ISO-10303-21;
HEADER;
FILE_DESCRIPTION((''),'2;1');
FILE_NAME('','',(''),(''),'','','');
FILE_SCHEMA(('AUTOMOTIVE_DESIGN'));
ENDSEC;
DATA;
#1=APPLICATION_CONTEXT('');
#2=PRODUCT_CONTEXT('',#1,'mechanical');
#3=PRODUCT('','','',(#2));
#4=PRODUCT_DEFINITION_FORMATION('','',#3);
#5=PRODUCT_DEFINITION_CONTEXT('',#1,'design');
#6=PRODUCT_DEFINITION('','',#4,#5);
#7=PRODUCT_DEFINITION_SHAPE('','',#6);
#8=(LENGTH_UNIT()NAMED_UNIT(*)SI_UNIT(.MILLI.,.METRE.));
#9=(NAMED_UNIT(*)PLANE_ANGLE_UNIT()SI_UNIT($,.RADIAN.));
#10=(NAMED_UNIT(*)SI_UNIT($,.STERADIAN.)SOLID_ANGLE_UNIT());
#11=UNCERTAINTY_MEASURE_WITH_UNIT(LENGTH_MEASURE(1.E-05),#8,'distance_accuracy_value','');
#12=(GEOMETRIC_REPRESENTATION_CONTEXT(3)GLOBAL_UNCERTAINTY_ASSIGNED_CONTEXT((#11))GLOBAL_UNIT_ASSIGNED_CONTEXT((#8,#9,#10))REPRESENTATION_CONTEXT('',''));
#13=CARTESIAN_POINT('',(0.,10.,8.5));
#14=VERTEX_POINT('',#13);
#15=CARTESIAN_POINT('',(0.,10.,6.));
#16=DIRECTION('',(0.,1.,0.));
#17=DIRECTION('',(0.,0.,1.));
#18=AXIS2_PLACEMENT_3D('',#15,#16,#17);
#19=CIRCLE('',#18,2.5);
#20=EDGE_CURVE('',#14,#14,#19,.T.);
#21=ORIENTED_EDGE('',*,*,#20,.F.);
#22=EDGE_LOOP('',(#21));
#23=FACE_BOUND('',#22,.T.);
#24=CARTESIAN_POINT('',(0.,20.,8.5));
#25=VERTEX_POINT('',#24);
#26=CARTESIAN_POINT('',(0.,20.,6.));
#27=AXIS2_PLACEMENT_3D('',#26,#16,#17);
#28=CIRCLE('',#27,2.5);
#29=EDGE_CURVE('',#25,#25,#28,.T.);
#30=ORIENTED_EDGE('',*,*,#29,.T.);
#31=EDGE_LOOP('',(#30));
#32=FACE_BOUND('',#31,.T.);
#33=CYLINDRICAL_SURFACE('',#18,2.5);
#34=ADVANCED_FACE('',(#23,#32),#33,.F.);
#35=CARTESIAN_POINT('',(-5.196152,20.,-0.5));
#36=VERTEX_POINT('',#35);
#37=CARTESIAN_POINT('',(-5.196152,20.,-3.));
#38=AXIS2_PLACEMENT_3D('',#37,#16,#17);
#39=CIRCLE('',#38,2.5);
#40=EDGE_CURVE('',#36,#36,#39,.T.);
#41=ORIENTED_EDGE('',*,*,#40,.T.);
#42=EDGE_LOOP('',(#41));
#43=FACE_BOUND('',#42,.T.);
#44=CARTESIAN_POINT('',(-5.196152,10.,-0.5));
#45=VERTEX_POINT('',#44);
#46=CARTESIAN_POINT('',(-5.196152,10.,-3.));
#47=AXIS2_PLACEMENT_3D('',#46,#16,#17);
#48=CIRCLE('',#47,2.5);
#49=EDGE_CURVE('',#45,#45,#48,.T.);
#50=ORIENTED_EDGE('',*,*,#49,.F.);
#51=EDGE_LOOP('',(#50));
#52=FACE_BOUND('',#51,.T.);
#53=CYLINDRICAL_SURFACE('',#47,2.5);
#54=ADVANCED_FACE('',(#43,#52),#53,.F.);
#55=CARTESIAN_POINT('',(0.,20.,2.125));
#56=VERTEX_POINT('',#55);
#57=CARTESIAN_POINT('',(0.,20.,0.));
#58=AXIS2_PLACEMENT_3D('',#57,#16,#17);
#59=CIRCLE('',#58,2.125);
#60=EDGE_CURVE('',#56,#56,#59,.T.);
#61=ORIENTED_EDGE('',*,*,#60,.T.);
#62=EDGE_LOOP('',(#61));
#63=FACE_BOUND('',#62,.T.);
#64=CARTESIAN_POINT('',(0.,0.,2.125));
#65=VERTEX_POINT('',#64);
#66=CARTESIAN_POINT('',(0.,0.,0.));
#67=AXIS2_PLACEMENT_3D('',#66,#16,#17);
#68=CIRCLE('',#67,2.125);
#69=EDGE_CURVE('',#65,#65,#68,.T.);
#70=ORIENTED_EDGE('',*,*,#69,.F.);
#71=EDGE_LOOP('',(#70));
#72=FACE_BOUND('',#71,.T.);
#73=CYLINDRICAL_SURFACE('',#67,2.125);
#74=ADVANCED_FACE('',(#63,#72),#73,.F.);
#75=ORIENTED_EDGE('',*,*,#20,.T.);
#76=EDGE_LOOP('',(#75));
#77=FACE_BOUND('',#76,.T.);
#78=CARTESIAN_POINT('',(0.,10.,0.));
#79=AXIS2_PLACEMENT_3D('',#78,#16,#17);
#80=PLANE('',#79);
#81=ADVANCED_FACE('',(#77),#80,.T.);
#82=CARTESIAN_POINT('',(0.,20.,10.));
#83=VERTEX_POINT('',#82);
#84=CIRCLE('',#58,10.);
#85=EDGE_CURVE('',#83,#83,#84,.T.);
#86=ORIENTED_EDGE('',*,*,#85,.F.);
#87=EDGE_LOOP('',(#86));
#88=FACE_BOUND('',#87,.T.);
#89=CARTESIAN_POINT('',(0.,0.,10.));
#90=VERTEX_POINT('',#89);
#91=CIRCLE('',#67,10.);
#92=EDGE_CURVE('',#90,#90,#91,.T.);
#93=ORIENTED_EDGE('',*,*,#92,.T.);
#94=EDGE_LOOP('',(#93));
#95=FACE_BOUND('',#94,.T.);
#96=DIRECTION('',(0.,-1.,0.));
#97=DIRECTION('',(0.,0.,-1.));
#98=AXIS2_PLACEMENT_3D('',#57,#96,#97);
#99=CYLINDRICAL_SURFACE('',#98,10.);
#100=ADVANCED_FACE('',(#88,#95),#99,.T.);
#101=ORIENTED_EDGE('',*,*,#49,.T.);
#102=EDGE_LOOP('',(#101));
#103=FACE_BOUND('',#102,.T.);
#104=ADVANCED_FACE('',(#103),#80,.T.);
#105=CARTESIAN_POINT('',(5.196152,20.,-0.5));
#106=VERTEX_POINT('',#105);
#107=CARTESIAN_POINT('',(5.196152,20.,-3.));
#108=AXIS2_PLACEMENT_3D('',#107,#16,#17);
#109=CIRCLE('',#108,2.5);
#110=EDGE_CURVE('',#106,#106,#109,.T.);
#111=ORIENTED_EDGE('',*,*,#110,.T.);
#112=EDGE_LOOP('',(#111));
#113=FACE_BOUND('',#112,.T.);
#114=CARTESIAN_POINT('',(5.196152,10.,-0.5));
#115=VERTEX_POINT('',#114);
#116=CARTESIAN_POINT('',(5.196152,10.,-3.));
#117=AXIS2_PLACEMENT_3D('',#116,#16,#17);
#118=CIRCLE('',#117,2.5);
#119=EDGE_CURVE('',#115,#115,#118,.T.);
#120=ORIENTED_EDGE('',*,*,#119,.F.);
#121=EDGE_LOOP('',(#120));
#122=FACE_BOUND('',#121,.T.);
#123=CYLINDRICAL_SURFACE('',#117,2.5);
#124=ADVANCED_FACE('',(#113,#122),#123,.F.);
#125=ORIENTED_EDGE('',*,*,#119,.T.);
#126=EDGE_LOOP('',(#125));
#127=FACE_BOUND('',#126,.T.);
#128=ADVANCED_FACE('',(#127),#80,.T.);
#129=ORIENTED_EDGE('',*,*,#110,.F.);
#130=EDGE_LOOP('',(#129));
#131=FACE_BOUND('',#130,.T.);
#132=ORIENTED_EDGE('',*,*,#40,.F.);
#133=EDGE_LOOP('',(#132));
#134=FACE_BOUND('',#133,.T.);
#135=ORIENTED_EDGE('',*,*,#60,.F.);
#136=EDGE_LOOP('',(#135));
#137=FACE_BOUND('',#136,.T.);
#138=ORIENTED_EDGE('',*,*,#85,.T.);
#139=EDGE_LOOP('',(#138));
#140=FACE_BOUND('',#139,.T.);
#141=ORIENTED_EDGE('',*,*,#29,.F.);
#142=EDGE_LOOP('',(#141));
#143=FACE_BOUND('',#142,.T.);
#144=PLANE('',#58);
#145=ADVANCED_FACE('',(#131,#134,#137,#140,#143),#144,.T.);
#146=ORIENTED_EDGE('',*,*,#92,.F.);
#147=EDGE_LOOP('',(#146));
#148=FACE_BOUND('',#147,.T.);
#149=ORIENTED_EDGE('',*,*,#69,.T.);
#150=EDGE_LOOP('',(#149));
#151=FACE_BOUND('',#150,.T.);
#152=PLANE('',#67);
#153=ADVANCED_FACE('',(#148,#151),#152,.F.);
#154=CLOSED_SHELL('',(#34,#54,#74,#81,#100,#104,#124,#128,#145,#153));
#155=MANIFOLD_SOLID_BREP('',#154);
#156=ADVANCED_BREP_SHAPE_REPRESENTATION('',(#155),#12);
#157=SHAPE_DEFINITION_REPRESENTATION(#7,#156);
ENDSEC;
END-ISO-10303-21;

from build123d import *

# Parameters (mm, degrees)
SKETCH1_R           = 10
BOSS_EXTRUDE1_DEPTH = 20
SKETCH2_R           = 2.5
CUT_EXTRUDE1_DEPTH  = 10
SKETCH2_3_R         = 2.125
CUT_EXTRUDE2_DEPTH  = 25.494897428


with BuildPart() as part:
    # Sketch1 → Boss-Extrude1 (new body)
    with BuildSketch(Plane(origin=(0, 0, 0), x_dir=(1, 0, 0), z_dir=(0, 1, 0))):
        Circle(SKETCH1_R)
    extrude(amount=BOSS_EXTRUDE1_DEPTH)

    # Sketch2 → Cut-Extrude1 (cut)
    with BuildSketch(Plane(origin=(0, 20, 0), x_dir=(1, 0, 0), z_dir=(0, 1, 0))):
        with Locations((0, -6)):
            Circle(SKETCH2_R)
        with Locations((-5.196152423, 3)):
            Circle(SKETCH2_R)
        with Locations((5.196152423, 3)):
            Circle(SKETCH2_R)
    extrude(amount=-CUT_EXTRUDE1_DEPTH, mode=Mode.SUBTRACT)

    # Sketch2<3> → Cut-Extrude2 (cut, through all)
    with BuildSketch(Plane(origin=(0, 20, 0), x_dir=(1, 0, 0), z_dir=(0, 1, 0))):
        Circle(SKETCH2_3_R)
    extrude(amount=-CUT_EXTRUDE2_DEPTH, mode=Mode.SUBTRACT)


solid = part.part
